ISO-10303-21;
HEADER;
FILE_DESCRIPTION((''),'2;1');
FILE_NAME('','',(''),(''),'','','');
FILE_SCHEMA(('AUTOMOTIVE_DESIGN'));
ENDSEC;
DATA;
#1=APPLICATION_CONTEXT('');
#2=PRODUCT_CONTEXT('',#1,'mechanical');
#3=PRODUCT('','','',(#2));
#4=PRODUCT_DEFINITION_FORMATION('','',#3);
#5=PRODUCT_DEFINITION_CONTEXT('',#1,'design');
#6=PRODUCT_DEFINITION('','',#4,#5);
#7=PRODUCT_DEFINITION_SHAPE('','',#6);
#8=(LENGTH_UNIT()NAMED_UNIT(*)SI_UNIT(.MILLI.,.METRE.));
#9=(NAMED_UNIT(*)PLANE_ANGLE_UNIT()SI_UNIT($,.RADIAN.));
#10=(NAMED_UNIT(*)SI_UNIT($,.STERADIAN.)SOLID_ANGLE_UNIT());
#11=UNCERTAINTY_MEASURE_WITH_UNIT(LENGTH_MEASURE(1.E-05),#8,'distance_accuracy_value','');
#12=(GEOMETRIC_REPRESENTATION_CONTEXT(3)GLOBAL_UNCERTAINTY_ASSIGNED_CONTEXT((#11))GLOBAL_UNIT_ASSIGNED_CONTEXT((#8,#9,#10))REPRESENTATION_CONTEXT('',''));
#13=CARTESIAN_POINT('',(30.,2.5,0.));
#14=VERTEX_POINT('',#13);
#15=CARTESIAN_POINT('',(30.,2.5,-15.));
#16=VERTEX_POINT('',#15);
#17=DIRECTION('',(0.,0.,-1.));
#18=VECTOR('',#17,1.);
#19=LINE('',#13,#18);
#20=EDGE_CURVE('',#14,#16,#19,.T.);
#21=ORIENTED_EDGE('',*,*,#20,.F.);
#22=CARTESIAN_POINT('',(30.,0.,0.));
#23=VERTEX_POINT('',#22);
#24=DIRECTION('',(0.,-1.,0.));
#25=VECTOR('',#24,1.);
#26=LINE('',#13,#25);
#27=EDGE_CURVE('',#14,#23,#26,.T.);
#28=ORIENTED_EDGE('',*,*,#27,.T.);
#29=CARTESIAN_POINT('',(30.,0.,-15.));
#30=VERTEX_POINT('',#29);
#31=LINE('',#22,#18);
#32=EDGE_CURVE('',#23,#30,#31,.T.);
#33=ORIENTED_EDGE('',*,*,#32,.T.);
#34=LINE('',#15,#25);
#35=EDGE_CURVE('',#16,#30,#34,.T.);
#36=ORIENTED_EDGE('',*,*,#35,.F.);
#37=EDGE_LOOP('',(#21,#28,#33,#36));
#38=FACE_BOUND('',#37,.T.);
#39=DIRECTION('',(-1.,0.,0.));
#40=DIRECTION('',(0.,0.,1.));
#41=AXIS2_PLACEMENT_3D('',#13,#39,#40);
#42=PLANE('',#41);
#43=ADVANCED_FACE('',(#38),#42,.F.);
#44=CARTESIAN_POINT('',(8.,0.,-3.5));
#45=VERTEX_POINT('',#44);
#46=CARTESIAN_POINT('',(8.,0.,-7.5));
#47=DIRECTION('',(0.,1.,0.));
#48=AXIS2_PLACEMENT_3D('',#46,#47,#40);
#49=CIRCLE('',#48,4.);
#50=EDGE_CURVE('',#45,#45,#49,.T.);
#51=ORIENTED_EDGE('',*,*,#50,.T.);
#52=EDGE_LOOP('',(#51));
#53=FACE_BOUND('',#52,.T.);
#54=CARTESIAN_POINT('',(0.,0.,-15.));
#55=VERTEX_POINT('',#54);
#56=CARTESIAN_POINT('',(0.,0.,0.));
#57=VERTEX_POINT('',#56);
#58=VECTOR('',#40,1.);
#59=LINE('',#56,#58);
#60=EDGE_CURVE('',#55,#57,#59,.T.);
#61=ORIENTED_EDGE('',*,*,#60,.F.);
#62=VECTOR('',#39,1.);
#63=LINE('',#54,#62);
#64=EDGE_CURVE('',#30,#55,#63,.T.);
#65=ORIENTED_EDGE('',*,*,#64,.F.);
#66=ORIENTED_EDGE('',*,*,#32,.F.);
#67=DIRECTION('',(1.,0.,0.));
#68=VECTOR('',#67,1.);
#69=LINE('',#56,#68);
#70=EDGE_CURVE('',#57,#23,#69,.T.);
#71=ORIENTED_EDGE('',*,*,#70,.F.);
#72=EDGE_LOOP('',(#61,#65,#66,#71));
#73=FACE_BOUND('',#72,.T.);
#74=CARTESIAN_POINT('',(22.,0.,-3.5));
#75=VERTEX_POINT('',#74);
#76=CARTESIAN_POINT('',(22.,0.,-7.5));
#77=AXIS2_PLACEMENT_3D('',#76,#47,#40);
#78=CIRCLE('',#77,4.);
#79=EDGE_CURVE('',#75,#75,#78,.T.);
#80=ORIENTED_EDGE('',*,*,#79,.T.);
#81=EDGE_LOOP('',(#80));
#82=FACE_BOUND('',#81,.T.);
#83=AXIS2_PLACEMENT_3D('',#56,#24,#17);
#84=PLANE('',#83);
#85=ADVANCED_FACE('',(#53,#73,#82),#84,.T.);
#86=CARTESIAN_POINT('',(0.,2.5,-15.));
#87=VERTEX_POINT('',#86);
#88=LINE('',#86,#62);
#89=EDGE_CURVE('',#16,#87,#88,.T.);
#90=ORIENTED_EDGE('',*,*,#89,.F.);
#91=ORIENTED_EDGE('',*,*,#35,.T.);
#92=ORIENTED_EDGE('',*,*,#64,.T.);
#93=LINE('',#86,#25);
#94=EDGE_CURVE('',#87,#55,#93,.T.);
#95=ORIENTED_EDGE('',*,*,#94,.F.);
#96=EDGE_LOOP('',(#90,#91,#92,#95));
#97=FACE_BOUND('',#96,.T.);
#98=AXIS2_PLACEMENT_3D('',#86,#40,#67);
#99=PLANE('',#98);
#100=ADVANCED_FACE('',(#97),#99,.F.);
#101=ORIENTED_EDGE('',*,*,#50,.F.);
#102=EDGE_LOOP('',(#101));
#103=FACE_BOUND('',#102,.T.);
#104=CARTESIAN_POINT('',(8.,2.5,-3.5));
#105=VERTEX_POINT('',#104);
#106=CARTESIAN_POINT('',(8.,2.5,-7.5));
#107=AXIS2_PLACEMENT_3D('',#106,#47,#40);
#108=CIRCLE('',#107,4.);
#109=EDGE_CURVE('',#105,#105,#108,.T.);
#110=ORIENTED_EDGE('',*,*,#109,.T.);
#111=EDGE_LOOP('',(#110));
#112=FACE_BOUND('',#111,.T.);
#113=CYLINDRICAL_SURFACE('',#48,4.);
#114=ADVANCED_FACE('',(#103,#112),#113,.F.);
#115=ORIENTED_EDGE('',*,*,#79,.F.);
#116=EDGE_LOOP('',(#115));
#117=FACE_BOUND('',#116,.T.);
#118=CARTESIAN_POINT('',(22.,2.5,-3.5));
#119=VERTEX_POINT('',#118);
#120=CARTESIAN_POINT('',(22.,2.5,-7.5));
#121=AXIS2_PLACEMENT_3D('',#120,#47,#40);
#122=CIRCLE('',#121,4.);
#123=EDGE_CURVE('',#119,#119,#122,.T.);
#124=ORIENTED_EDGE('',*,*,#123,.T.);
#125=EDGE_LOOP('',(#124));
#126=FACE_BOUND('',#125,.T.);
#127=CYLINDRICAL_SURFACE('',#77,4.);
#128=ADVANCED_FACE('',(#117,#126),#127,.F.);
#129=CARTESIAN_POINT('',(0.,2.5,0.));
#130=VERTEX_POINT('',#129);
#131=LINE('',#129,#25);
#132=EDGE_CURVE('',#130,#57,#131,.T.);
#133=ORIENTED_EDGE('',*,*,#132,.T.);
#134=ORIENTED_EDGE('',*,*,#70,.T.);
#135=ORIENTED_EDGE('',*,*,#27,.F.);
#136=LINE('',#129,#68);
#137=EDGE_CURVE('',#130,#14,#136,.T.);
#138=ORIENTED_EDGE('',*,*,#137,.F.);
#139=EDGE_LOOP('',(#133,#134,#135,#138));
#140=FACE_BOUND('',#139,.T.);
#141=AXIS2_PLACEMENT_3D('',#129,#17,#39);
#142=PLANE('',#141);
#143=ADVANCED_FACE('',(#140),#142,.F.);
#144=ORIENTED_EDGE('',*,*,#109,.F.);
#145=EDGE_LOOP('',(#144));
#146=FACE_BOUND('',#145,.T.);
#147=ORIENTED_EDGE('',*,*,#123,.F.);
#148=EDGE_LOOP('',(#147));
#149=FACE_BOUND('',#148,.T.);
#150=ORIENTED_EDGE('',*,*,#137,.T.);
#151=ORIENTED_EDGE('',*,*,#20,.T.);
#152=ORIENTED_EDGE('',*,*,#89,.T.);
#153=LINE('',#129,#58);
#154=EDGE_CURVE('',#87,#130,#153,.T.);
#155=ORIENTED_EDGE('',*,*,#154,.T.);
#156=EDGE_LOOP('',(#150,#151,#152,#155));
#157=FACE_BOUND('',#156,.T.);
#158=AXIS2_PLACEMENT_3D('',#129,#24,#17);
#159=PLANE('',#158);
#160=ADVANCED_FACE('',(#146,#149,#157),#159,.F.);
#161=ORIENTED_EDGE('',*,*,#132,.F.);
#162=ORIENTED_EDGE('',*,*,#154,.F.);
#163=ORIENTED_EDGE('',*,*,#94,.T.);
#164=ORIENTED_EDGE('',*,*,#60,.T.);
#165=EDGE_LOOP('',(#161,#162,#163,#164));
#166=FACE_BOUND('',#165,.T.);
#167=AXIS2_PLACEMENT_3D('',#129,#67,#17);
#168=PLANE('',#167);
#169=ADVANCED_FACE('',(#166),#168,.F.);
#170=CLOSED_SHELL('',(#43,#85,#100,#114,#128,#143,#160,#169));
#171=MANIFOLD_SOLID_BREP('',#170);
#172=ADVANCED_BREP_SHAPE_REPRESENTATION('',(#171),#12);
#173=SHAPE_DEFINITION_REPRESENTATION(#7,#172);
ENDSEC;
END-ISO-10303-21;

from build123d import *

# Parameters (mm, degrees)
SKETCH2_W               = 30
SKETCH2_H               = 15
BOSS_EXTRUDE1_DEPTH     = 2.5
CUT_EXTRUDE1_DEPTH      = 34.634060118
CUT_EXTRUDE1_DEPTH_BACK = 34.634060118
SKETCH4_R               = 4


with BuildPart() as part:
    # Sketch2 → Boss-Extrude1 (new body)
    with BuildSketch(Plane(origin=(0, 0, 0), x_dir=(1, 0, 0), z_dir=(0, 1, 0))):
        with Locations((15, 7.5)):
            Rectangle(SKETCH2_W, SKETCH2_H)
    extrude(amount=BOSS_EXTRUDE1_DEPTH)

    # Sketch4 → Cut-Extrude1 (cut, two sides: drawn at the far end of the back side and taken through both)
    with BuildSketch(Plane(origin=(0, 2.5, 0), x_dir=(1, 0, 0), z_dir=(0, 1, 0)).offset(-CUT_EXTRUDE1_DEPTH_BACK)):
        with Locations(Location((22, 7.5, 0), (0, 0, 270))):
            Circle(SKETCH4_R)
        with Locations(Location((8, 7.5, 0), (0, 0, 270))):
            Circle(SKETCH4_R)
    extrude(amount=CUT_EXTRUDE1_DEPTH + CUT_EXTRUDE1_DEPTH_BACK, mode=Mode.SUBTRACT)


solid = part.part
